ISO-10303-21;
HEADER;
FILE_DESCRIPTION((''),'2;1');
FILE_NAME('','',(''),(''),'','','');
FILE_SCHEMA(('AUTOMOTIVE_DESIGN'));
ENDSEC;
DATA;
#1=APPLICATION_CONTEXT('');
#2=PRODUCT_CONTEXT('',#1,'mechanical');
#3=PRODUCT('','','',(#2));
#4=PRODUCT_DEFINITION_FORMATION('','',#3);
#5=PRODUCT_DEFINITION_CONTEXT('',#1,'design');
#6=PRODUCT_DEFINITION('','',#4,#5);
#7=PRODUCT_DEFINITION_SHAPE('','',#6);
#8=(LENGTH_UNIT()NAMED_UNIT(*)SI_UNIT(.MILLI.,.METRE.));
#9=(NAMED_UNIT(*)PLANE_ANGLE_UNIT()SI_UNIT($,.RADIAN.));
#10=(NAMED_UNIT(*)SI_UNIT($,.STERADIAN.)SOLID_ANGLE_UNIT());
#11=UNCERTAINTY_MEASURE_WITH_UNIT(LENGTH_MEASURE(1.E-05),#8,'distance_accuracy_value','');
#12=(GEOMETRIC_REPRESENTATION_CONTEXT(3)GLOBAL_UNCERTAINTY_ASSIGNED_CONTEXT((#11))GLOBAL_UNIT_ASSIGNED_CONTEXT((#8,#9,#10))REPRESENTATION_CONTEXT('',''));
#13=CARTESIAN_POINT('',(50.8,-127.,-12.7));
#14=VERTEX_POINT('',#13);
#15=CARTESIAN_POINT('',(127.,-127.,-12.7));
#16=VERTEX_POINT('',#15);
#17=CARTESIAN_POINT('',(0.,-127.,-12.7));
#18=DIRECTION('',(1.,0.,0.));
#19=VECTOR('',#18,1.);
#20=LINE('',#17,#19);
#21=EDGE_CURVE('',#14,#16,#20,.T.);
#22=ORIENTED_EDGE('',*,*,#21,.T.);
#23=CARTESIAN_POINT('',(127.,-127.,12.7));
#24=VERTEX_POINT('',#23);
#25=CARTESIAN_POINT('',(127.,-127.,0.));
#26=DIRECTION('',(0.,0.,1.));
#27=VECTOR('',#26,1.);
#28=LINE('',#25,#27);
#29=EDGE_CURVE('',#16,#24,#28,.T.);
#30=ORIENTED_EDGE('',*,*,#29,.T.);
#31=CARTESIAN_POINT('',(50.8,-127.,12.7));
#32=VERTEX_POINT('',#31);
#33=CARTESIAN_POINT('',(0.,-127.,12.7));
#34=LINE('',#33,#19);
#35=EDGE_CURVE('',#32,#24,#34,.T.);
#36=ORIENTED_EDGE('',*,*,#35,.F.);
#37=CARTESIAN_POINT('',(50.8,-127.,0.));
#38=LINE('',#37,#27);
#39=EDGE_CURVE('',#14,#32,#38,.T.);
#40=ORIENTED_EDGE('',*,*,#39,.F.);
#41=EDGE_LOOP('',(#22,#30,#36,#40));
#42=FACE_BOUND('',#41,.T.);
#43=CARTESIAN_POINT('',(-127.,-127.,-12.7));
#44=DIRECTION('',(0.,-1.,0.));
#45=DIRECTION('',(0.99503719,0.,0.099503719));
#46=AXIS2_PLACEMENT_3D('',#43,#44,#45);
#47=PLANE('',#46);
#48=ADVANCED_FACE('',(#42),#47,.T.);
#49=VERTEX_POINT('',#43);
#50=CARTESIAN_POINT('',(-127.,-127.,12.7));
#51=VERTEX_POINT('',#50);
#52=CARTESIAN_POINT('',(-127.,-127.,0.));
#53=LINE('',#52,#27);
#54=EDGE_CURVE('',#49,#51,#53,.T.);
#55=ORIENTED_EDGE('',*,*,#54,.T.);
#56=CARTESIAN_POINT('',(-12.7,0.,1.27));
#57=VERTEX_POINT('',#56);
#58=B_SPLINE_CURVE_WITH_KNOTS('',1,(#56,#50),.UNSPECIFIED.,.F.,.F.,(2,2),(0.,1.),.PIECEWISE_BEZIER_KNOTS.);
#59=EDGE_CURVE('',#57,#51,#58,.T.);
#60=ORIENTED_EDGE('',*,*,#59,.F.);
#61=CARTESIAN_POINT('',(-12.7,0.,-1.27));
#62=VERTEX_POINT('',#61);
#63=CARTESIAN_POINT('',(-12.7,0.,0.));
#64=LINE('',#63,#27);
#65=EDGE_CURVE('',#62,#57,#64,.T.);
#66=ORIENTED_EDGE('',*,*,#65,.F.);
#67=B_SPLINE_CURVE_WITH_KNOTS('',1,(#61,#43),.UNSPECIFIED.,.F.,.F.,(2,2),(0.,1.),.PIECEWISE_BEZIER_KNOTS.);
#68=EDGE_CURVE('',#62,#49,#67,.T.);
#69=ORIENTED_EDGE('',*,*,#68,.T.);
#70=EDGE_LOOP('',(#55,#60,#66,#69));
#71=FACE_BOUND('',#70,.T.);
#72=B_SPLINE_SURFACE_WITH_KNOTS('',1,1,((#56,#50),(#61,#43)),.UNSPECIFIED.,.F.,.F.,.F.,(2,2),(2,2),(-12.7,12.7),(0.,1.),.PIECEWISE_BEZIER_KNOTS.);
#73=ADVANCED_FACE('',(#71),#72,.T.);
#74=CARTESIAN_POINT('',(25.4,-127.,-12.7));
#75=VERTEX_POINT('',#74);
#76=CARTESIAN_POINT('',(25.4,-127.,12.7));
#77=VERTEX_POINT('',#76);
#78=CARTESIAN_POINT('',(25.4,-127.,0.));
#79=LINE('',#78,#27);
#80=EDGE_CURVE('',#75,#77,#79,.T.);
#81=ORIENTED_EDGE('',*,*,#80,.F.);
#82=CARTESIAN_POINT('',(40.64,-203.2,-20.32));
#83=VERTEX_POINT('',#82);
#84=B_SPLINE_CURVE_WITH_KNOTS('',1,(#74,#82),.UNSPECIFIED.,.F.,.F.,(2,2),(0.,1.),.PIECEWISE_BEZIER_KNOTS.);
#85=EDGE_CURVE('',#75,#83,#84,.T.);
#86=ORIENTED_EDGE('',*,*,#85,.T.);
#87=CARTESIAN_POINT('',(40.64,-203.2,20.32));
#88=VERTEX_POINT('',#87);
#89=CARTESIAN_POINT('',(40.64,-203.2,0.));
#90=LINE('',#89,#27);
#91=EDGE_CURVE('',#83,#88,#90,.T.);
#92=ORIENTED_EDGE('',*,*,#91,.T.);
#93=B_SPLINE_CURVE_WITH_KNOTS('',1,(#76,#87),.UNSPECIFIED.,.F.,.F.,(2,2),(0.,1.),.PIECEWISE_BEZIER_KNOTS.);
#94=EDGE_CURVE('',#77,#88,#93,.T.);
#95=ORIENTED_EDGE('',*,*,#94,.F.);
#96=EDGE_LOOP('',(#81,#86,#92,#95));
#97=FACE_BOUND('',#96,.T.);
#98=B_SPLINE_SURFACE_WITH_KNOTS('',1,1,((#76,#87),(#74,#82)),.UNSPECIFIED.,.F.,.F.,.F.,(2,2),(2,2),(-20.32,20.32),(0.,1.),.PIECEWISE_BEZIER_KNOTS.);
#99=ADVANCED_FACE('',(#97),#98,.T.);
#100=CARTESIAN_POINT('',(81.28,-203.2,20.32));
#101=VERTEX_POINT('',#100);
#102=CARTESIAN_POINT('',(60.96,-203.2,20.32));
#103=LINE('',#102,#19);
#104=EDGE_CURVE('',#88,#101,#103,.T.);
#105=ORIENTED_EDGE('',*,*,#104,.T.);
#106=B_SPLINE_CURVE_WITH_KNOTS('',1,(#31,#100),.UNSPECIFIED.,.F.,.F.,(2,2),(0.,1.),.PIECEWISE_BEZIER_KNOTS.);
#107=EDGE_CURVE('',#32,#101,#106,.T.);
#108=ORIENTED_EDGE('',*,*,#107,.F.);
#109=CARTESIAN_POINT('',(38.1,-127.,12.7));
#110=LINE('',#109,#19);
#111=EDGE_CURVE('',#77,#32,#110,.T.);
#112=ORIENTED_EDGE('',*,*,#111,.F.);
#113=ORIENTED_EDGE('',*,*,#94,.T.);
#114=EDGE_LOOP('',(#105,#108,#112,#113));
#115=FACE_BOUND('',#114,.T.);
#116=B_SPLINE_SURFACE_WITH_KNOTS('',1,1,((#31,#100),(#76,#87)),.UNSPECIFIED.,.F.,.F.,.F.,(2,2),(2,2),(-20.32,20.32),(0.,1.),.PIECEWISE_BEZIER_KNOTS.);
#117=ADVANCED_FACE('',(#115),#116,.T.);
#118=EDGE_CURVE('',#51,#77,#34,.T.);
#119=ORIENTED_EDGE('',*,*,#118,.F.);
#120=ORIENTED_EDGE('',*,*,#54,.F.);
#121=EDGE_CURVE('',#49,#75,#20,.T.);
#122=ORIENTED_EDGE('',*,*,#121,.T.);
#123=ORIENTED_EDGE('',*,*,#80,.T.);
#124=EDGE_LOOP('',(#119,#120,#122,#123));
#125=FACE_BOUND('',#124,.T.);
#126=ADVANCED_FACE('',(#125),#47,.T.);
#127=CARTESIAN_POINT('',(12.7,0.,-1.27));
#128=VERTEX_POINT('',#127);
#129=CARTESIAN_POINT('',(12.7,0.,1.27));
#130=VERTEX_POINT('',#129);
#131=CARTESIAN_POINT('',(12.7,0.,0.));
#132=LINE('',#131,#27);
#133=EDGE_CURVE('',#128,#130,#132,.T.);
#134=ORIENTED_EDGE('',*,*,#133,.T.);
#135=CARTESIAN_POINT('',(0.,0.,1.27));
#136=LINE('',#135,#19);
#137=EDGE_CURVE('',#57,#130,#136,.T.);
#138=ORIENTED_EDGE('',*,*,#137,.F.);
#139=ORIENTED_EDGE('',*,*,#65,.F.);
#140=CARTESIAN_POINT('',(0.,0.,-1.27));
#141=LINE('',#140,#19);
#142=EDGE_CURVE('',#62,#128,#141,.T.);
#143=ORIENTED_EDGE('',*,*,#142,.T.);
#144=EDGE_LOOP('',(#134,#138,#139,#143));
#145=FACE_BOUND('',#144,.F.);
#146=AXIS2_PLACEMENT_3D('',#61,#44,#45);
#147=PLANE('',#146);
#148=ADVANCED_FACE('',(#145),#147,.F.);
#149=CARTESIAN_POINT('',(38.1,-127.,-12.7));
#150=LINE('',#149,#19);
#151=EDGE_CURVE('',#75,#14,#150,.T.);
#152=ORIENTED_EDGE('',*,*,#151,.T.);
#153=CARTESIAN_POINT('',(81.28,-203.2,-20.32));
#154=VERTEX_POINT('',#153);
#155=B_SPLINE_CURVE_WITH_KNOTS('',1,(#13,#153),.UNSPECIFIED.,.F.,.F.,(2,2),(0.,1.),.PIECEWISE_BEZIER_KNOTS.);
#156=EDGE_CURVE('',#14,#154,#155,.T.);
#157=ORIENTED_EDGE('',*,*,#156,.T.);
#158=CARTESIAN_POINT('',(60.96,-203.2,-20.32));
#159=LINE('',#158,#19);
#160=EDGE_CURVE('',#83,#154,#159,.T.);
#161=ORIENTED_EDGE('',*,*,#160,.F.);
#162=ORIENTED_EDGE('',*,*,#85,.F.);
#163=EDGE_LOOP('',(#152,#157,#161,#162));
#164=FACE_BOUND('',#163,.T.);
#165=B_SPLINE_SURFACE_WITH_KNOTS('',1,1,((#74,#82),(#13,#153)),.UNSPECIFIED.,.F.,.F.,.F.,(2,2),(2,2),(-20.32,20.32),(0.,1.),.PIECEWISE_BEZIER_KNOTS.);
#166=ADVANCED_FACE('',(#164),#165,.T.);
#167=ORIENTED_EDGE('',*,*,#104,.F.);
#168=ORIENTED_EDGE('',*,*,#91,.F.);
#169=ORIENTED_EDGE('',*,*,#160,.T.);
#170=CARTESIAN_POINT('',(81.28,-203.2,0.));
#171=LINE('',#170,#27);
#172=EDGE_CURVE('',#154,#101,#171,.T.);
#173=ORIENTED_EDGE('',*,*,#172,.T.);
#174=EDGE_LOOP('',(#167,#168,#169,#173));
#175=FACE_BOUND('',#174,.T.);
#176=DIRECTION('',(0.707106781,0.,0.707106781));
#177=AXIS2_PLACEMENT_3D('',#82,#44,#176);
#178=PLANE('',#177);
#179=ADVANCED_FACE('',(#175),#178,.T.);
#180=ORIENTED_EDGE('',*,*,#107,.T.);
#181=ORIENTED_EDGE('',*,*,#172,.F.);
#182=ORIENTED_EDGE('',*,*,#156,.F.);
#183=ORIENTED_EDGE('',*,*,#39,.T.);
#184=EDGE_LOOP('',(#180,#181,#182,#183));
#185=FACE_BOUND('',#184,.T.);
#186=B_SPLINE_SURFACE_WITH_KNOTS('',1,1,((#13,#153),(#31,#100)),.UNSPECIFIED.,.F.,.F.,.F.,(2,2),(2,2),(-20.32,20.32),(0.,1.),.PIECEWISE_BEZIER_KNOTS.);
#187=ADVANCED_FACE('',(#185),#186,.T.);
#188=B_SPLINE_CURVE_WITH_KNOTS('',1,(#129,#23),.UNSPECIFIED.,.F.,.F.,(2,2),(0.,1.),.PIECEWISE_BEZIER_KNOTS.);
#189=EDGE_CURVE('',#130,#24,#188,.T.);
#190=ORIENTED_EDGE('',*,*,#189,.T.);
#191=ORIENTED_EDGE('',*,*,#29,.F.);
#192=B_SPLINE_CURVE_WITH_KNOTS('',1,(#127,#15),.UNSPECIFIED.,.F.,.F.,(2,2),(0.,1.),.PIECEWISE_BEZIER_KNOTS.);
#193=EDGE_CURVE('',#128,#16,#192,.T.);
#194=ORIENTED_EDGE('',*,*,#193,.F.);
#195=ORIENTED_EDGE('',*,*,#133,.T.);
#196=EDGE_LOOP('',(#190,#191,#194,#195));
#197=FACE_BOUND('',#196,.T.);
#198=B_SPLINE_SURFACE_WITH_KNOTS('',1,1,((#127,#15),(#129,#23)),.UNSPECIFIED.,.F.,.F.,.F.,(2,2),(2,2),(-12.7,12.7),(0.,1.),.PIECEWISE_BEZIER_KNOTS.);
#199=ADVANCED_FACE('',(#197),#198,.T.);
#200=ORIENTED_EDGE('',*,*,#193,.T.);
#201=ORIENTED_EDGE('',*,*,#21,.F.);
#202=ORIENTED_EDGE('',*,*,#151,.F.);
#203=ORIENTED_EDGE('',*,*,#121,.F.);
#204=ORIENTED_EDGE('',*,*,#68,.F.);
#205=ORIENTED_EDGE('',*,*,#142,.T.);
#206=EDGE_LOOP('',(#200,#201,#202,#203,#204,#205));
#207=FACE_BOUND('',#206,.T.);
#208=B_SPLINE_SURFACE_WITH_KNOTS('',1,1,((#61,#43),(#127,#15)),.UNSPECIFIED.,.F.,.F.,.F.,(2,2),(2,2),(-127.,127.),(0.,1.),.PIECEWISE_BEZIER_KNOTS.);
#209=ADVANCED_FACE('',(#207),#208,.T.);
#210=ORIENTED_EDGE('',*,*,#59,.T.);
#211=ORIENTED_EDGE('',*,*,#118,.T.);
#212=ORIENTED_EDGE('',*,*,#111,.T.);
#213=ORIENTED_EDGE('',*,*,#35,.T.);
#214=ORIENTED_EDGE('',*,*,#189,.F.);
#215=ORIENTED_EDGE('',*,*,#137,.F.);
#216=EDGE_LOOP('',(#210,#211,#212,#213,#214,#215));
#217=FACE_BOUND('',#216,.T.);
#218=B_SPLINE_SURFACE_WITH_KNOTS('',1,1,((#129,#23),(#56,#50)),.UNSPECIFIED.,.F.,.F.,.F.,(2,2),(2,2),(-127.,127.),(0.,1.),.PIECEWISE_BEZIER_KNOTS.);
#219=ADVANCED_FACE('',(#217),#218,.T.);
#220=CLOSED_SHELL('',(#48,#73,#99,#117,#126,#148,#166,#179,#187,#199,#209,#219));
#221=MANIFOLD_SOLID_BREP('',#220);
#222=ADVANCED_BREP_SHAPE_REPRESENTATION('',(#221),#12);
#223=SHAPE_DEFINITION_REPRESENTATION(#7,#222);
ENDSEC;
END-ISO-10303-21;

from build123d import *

# Parameters (mm, degrees)
F0_W = 25.4
F0_H = 2.54
F2_W = 254
F2_H = 25.4
F4_W = 25.4
F4_H = 25.4
F6_W = 40.64
F6_H = 40.64


with BuildPart() as f3:
    # F0 (on Front) → F3 section 0
    with BuildSketch(Plane.XZ):
        Rectangle(F0_W, F0_H)
    # F2 (on offset) → F3 section 1
    with BuildSketch(Plane.XZ.offset(127)):
        Rectangle(F2_W, F2_H)
    loft()

    # F4 (on face) → F7 section 0
    with BuildSketch(Plane.XZ.offset(127)):
        with Locations((38.1, 0)):
            Rectangle(F4_W, F4_H)
    # F6 (on offset) → F7 section 1
    with BuildSketch(Plane.XZ.offset(203.2)):
        with Locations((60.96, 0)):
            Rectangle(F6_W, F6_H)
    loft()


solid = f3.part
